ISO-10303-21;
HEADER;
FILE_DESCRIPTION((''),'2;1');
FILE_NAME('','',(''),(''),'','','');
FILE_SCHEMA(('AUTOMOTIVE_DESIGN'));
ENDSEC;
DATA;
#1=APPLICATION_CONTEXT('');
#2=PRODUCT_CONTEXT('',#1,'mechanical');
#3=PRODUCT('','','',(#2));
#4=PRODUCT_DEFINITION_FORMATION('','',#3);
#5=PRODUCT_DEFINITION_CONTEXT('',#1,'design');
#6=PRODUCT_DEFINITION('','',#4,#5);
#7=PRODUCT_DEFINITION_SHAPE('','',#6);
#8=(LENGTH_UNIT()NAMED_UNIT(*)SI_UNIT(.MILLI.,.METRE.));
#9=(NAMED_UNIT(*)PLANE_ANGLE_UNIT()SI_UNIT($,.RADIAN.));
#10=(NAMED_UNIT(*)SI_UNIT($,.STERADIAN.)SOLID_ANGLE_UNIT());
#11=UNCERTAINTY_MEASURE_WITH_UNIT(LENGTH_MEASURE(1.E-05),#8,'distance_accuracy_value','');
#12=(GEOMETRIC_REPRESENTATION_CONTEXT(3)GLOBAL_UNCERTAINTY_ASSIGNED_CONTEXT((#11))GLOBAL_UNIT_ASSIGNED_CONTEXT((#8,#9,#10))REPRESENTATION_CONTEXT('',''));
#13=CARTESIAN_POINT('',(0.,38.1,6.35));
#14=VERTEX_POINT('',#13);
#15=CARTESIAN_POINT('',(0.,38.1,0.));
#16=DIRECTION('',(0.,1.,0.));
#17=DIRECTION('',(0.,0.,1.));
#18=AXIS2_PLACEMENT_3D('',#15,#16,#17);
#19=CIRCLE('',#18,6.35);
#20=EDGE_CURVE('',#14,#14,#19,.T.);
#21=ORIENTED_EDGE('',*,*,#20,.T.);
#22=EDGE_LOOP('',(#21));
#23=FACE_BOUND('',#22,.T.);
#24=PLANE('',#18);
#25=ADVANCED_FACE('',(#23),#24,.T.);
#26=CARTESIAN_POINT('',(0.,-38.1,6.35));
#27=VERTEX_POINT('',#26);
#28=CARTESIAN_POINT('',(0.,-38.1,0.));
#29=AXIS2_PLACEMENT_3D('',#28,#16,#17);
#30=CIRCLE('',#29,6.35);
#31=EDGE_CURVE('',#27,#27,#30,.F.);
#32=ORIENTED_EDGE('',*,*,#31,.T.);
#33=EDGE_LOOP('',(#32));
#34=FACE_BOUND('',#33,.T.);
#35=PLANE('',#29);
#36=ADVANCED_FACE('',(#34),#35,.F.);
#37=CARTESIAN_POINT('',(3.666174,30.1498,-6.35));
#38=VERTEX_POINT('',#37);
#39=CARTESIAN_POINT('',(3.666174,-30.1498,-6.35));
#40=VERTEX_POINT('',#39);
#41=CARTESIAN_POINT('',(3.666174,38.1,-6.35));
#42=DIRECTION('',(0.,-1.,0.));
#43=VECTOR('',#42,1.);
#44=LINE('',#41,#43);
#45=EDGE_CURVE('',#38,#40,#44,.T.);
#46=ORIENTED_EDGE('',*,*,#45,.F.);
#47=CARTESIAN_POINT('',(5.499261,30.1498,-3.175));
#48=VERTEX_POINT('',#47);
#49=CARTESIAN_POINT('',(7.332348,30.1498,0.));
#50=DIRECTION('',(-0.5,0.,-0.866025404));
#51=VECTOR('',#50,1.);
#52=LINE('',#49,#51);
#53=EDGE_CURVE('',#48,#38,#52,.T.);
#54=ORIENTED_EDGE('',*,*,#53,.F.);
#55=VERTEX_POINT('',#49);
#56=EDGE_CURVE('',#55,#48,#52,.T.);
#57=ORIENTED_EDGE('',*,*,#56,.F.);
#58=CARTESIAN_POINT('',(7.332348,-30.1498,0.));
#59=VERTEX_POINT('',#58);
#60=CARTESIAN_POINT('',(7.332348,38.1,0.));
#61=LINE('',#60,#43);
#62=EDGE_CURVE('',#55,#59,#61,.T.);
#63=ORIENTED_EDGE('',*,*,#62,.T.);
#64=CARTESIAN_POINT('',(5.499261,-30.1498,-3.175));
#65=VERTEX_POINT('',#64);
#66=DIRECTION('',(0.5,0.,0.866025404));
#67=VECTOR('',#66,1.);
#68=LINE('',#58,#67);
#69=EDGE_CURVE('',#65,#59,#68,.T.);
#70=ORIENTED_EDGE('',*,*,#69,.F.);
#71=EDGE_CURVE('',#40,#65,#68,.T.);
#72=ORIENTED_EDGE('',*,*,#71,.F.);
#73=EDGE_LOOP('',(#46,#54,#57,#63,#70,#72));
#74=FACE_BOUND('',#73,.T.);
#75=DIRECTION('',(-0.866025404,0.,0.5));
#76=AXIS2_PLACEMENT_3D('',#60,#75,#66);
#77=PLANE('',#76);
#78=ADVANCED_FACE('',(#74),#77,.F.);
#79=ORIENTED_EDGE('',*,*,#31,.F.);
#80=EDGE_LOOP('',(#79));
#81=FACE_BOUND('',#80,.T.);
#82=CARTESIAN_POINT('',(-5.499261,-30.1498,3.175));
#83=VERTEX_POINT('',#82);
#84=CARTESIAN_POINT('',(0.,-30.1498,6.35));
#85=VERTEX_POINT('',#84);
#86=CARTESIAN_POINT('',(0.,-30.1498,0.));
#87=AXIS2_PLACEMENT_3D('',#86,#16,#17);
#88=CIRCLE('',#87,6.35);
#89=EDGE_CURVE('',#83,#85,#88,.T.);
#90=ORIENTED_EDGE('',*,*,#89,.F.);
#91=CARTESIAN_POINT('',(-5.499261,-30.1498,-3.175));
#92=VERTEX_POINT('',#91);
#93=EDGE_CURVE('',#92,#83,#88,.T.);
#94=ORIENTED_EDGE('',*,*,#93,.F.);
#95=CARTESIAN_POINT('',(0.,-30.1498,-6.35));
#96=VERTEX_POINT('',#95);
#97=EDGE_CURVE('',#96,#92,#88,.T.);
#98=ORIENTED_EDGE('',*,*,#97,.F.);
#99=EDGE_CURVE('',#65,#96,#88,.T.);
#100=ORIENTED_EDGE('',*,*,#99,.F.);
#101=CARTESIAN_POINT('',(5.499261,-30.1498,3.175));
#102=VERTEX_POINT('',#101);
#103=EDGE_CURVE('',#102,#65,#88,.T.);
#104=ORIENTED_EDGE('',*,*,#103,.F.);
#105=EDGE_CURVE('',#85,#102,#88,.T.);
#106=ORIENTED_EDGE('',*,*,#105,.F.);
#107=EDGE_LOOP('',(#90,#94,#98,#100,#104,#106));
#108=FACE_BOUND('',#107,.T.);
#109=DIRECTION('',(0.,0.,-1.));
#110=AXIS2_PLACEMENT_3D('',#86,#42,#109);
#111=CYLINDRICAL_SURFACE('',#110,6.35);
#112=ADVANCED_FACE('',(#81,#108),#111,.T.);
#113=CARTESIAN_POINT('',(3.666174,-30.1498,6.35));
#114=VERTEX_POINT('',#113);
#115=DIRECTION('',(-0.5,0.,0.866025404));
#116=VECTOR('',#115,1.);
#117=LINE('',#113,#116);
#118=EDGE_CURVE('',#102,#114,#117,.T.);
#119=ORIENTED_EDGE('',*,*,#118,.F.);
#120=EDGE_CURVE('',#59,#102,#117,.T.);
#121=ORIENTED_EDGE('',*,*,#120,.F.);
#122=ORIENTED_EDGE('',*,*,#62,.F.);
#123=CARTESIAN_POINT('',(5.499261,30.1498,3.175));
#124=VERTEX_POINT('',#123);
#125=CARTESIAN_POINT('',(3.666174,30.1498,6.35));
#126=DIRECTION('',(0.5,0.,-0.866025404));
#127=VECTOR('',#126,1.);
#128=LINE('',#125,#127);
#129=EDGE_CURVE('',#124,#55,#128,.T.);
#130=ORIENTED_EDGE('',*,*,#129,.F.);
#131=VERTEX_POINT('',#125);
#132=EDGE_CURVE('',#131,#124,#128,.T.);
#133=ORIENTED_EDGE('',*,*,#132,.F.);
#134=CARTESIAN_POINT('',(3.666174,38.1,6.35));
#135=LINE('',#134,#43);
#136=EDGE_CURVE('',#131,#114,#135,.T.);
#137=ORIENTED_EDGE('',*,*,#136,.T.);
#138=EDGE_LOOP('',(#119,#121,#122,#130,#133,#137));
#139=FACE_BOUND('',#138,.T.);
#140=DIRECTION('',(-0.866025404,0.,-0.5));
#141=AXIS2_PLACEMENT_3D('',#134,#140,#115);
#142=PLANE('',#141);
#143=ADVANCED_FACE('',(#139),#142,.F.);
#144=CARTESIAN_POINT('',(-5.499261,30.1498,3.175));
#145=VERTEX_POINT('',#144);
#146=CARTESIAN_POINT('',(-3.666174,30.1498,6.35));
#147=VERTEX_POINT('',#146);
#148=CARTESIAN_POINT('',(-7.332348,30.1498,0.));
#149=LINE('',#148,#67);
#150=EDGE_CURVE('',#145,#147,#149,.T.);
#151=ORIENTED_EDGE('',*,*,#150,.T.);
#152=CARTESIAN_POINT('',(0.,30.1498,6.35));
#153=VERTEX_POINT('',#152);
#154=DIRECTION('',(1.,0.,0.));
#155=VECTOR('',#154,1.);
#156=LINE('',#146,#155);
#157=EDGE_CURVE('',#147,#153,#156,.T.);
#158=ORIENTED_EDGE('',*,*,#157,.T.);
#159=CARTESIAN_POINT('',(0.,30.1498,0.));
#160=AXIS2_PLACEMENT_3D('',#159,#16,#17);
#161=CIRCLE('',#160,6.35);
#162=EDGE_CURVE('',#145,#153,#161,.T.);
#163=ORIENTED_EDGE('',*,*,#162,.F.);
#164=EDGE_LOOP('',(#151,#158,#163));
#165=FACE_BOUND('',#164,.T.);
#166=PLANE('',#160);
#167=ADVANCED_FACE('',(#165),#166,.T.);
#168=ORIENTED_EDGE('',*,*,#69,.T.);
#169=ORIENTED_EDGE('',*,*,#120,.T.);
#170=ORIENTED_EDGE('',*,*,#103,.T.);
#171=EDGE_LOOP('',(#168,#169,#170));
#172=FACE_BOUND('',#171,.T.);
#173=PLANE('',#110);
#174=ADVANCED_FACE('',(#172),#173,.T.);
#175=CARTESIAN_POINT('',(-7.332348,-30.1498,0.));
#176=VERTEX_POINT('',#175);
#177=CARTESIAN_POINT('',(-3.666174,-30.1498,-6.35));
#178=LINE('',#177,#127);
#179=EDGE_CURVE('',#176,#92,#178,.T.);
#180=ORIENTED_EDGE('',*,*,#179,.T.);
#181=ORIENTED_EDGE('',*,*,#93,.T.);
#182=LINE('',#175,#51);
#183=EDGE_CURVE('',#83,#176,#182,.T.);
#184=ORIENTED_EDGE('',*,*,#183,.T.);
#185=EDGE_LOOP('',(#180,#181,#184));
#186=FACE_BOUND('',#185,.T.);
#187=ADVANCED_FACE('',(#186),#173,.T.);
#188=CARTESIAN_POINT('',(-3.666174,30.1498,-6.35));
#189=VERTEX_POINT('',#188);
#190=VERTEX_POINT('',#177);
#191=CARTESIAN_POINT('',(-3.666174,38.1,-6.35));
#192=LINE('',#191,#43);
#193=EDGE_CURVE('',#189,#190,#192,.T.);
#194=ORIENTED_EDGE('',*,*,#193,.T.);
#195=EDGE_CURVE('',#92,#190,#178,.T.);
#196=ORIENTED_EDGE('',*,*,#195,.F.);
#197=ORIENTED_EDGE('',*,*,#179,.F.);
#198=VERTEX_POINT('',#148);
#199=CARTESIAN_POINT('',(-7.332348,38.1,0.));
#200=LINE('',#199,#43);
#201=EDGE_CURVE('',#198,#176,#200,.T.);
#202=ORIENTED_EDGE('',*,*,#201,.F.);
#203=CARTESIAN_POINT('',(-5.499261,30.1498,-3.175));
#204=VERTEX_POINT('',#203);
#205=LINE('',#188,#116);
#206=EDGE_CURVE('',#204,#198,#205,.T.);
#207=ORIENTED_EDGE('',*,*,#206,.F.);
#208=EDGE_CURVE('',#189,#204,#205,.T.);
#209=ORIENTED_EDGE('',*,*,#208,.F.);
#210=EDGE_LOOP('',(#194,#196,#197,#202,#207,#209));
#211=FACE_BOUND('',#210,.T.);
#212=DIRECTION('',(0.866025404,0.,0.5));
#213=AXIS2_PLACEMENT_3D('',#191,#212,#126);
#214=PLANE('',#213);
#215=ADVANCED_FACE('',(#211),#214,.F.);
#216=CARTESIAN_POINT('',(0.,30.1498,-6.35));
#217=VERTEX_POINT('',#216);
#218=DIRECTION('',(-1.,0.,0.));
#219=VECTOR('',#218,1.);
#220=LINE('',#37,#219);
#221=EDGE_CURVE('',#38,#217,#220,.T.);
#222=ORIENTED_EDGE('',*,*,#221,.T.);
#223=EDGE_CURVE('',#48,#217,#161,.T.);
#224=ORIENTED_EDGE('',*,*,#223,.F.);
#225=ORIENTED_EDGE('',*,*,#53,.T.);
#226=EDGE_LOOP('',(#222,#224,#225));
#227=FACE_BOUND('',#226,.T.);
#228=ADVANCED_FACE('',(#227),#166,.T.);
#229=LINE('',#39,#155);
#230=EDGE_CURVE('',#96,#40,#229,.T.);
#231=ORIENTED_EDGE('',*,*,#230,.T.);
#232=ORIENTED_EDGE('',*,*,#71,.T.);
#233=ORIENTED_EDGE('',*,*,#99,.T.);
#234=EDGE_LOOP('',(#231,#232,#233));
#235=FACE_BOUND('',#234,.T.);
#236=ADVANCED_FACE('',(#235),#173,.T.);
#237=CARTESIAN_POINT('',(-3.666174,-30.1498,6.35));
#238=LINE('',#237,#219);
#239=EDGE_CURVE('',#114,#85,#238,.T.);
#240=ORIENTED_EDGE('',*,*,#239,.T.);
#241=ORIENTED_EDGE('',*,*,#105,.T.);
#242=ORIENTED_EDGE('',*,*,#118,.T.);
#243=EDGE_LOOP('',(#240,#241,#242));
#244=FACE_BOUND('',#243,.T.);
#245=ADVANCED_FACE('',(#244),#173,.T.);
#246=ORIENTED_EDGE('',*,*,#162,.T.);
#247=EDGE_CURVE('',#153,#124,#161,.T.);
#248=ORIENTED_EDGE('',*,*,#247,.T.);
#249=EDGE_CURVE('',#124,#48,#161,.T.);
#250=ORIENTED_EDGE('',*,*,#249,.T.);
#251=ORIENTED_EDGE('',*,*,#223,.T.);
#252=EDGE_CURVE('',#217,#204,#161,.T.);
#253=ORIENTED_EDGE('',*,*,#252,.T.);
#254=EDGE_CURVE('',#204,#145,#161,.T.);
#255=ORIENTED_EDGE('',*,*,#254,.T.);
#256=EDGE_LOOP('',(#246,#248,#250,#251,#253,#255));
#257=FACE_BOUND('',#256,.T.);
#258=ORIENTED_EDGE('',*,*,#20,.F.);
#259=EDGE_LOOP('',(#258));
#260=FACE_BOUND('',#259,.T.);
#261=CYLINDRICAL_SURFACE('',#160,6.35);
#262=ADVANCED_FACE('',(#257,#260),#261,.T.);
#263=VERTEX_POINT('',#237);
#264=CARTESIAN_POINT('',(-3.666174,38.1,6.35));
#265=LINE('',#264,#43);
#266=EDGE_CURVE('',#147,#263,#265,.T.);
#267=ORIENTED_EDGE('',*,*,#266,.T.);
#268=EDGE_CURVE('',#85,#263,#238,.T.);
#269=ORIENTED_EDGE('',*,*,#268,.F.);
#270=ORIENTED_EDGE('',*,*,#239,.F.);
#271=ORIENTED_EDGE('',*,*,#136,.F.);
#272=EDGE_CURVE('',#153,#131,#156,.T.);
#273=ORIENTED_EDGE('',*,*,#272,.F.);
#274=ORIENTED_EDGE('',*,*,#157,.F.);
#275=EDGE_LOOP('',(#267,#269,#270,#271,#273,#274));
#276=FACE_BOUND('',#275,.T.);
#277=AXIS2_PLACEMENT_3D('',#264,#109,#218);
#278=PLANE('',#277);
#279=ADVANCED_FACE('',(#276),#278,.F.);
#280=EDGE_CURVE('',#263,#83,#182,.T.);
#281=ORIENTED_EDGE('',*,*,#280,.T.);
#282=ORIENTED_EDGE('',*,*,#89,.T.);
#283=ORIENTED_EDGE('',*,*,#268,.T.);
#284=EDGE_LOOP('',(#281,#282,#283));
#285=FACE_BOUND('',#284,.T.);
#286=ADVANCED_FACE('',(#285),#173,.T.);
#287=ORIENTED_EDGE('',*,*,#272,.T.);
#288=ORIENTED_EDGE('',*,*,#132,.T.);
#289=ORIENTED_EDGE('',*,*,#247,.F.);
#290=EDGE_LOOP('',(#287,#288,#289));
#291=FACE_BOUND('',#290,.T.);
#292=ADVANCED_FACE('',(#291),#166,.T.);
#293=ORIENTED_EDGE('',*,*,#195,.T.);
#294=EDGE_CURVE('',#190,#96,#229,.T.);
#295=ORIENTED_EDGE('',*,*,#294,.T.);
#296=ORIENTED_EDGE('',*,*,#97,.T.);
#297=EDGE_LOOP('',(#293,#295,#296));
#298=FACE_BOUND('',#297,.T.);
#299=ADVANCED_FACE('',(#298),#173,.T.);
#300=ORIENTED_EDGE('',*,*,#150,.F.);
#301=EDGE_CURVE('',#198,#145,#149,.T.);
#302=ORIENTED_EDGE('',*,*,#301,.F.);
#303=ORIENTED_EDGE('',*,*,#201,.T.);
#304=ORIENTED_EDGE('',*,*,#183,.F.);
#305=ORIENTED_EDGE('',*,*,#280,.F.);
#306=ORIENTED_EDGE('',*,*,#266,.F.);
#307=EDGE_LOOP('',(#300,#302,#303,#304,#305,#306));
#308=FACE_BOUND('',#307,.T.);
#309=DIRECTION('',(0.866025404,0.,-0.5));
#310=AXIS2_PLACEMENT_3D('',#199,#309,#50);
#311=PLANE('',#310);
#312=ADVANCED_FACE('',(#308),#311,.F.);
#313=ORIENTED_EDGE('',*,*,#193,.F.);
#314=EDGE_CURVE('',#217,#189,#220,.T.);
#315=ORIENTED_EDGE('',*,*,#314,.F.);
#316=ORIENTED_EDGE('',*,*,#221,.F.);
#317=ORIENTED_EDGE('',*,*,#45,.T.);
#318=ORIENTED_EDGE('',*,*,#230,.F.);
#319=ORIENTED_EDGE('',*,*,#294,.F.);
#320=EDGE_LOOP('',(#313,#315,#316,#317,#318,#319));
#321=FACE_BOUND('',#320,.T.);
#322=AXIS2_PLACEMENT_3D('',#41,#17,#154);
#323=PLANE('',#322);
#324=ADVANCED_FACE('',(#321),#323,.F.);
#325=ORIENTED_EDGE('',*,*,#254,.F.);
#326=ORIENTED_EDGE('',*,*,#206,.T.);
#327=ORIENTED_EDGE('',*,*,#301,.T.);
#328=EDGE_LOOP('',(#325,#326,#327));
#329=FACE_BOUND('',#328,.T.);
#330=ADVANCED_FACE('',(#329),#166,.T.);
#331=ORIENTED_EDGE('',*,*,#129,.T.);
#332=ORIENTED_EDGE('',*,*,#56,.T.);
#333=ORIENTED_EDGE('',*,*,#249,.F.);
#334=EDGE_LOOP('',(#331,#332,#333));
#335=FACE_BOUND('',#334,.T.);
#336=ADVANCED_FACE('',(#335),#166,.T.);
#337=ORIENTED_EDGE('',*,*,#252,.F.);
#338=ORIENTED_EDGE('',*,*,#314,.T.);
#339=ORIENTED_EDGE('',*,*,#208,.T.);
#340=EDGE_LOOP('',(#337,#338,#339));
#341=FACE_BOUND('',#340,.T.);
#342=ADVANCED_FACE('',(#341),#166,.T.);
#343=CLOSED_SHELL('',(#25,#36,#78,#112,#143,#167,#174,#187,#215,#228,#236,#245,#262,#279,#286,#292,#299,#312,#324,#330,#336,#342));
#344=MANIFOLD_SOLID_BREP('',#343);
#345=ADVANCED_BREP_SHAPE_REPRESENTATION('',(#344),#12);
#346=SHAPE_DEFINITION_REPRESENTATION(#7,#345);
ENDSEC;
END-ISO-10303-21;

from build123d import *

# Parameters (mm, degrees)
BOSS_EXTRUDE1_DEPTH = 38.1
SKETCH2_OUTSIDE_W   = 32.39
SKETCH2_OUTSIDE_H   = 30.426
SKETCH2_OUTSIDE_R   = 6.35
CUT_EXTRUDE1_DEPTH  = 7.9502


with BuildPart() as part:
    # Sketch1 → Boss-Extrude1 (new, symmetric)
    with BuildSketch(Plane(origin=(0, 0, 0), x_dir=(1, 0, 0), z_dir=(0, 1, 0))):
        Polygon((3.666174209, -6.35), (7.332348419, 0), (3.666174209, 6.35), (-3.666174209, 6.35), (-7.332348419, 0), (-3.666174209, -6.35), align=None)
    extrude(amount=BOSS_EXTRUDE1_DEPTH, both=True)

    # Sketch2 outside → Cut-Extrude1 (cut)
    with BuildSketch(Plane(origin=(0, 38.1, 0), x_dir=(1, 0, 0), z_dir=(0, 1, 0))):
        Rectangle(SKETCH2_OUTSIDE_W, SKETCH2_OUTSIDE_H)
        with Locations(Location((0, 0, 0), (0, 0, 270))):
            Circle(SKETCH2_OUTSIDE_R, mode=Mode.SUBTRACT)
    cut_extrude1 = extrude(amount=-CUT_EXTRUDE1_DEPTH, mode=Mode.SUBTRACT)

    # Mirror1: Cut-Extrude1 across plane
    add(cut_extrude1.mirror(Plane.ZX), mode=Mode.SUBTRACT)


solid = part.part
